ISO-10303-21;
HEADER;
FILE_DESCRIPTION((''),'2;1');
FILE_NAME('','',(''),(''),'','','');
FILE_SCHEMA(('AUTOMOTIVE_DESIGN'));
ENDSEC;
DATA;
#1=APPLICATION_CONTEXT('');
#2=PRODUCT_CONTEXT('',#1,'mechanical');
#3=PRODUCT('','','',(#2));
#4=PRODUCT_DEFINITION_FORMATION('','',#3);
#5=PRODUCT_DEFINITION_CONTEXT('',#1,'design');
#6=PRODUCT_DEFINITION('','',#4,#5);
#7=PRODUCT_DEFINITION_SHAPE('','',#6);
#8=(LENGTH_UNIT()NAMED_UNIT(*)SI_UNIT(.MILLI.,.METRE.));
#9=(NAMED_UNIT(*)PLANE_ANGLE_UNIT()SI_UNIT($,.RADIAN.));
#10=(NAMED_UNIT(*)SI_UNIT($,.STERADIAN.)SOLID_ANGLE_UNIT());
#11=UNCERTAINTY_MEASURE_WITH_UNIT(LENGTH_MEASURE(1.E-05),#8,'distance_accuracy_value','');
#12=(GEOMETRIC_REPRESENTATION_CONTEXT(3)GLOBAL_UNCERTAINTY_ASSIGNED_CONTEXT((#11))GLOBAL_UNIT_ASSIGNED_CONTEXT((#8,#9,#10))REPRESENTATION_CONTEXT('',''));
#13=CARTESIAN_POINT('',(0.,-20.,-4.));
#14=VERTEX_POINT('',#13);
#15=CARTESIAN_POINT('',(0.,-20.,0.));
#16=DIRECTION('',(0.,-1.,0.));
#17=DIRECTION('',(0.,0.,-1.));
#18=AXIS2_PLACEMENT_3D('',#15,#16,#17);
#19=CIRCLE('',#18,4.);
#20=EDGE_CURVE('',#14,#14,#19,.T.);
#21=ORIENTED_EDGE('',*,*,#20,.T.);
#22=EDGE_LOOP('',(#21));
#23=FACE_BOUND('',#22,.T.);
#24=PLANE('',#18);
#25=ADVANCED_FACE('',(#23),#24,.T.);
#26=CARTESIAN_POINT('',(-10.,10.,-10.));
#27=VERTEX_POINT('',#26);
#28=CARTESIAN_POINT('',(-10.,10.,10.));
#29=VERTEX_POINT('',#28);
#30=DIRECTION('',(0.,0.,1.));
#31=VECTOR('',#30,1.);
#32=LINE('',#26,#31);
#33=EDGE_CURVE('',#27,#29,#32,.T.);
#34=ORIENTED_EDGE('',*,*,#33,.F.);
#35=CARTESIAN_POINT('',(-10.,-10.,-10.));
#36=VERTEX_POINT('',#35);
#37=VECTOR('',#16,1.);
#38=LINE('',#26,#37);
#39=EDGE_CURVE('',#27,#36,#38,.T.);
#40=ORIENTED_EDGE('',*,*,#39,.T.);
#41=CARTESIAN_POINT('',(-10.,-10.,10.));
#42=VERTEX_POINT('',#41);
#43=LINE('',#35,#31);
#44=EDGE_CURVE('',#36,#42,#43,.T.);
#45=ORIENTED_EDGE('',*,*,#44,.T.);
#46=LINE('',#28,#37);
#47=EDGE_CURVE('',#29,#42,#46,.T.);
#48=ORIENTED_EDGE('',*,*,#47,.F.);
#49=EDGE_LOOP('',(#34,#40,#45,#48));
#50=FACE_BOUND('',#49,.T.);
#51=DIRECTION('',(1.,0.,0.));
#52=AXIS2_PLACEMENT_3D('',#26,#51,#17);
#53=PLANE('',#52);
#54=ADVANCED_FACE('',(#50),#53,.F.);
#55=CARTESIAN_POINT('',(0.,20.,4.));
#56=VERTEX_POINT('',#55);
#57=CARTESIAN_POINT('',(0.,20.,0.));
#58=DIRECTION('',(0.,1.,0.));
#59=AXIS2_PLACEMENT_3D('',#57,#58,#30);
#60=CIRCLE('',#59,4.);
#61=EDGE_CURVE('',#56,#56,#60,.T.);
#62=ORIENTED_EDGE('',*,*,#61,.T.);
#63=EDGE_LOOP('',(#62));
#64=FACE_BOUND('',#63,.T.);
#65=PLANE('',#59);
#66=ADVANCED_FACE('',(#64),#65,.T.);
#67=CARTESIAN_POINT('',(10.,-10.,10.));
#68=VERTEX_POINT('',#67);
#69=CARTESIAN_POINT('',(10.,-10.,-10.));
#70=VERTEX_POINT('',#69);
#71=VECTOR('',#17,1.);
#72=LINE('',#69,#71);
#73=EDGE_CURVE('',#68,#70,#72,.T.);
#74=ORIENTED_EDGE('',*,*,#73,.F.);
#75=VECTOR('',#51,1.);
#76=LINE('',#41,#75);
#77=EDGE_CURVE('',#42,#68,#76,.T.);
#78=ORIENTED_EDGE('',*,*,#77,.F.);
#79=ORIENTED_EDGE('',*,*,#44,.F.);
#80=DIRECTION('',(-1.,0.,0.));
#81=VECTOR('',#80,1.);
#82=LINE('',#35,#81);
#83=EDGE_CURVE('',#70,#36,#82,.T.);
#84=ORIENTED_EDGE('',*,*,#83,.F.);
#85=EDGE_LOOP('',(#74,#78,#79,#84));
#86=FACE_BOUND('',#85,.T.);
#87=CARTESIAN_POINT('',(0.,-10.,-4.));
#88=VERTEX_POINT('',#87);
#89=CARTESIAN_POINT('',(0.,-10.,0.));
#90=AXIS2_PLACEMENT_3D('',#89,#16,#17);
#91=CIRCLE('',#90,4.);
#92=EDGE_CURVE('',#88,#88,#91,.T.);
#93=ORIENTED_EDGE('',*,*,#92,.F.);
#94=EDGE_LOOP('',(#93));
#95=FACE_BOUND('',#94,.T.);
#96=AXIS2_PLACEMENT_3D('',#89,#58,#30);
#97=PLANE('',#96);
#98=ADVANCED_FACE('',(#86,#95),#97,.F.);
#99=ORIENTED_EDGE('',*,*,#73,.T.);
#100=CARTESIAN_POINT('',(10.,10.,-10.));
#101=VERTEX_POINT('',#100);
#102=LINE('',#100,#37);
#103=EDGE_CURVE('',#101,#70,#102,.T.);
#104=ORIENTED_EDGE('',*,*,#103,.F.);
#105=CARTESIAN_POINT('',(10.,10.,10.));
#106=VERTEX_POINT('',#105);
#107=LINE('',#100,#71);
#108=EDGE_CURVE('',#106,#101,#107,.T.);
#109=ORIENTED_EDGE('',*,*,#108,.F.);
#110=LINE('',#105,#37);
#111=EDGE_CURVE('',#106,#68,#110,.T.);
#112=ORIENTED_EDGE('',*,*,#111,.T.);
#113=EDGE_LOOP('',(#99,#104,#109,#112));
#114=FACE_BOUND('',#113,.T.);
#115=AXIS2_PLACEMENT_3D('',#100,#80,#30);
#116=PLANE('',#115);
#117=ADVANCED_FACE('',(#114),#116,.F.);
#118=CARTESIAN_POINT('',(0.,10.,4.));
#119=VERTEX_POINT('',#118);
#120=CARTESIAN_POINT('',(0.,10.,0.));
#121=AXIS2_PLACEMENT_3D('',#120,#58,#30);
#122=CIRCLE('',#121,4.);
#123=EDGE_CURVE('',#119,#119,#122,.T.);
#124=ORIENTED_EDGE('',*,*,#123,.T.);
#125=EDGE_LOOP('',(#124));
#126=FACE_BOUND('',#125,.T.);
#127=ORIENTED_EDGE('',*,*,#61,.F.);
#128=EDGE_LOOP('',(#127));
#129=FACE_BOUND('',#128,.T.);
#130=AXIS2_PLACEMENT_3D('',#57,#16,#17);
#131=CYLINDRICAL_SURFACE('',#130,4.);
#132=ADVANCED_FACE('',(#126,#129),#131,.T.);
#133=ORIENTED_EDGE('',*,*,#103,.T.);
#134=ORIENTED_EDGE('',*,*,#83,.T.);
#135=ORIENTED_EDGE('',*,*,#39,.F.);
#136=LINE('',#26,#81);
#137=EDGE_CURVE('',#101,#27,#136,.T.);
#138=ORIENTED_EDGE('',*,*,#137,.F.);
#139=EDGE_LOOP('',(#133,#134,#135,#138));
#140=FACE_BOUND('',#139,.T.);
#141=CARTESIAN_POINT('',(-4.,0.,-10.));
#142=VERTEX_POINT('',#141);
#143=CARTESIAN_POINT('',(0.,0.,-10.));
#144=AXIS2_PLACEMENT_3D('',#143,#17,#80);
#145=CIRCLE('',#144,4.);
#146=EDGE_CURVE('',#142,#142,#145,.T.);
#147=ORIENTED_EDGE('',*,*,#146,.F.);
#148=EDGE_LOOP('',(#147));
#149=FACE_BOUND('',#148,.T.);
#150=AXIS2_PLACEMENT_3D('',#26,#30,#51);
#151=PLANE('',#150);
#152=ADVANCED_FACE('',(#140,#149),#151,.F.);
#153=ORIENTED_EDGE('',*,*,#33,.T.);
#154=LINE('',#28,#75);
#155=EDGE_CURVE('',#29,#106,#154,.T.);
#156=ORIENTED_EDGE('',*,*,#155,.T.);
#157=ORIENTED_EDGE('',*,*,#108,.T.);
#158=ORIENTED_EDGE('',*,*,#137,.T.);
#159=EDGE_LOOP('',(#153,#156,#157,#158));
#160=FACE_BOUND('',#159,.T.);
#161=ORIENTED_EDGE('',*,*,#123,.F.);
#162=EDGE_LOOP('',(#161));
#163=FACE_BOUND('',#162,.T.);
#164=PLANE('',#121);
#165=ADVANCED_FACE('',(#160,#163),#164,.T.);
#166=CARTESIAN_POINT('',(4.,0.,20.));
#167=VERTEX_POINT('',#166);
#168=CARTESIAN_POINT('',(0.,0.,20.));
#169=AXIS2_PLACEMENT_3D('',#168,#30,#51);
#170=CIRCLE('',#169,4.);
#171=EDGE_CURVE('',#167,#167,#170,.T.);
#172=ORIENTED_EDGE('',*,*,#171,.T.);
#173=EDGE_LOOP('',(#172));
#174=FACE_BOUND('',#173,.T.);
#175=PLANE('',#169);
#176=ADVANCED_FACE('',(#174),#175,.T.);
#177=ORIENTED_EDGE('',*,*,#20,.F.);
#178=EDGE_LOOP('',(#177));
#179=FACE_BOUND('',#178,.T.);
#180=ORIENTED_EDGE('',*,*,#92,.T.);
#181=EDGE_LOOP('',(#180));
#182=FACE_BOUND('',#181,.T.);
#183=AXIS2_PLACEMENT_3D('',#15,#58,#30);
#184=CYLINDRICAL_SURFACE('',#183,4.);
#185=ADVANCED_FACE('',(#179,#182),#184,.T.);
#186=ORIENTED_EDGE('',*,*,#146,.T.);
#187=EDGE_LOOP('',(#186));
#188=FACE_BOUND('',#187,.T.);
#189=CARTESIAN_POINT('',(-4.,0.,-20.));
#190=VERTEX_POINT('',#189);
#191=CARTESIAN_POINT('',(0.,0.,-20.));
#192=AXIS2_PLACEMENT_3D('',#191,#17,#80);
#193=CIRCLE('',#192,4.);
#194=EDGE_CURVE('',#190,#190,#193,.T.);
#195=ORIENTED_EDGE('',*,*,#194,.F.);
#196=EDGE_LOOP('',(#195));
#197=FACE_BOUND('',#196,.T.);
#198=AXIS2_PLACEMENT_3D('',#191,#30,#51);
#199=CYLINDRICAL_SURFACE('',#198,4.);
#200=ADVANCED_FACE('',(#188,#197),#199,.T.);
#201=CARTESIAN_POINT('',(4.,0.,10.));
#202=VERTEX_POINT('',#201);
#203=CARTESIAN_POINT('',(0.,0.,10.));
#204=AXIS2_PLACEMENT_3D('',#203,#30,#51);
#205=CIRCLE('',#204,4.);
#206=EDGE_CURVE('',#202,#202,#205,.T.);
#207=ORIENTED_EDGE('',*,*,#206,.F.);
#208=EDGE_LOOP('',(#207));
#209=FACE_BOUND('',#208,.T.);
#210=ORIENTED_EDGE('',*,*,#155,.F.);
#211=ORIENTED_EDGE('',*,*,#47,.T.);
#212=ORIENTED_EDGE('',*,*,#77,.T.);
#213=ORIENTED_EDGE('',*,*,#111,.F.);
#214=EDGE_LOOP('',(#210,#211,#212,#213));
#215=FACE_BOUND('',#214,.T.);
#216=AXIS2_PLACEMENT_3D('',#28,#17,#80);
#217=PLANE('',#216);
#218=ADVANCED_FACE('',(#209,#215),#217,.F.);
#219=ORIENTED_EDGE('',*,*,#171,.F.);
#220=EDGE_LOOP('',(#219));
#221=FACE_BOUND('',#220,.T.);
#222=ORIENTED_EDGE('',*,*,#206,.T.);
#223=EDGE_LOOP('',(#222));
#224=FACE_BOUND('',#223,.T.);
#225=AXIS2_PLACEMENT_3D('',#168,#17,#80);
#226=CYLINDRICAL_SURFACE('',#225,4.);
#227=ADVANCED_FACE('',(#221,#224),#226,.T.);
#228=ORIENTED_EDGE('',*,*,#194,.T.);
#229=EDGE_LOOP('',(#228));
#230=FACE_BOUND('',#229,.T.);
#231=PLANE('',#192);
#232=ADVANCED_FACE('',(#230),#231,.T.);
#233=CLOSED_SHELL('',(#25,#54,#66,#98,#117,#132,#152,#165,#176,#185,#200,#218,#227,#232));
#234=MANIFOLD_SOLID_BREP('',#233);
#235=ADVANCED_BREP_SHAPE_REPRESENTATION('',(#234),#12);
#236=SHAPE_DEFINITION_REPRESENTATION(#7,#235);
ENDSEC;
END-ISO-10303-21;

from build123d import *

# Parameters (mm, degrees)
SKETCH2_W           = 20
SKETCH2_H           = 20
BOSS_EXTRUDE1_DEPTH = 10
SKETCH5_R           = 4
BOSS_EXTRUDE2_DEPTH = 10
SKETCH3_R           = 4
BOSS_EXTRUDE3_DEPTH = 10
BOSS_EXTRUDE4_START = 10
SKETCH6_R           = 4
BOSS_EXTRUDE4_DEPTH = 10
BOSS_EXTRUDE5_START = 10
SKETCH4_R           = 4
BOSS_EXTRUDE5_DEPTH = 10


with BuildPart() as part:
    # Sketch2 → Boss-Extrude1 (new, symmetric)
    with BuildSketch(Plane(origin=(0, 0, 0), x_dir=(1, 0, 0), z_dir=(0, 1, 0))):
        Rectangle(SKETCH2_W, SKETCH2_H)
    extrude(amount=BOSS_EXTRUDE1_DEPTH, both=True)

    # Sketch5 → Boss-Extrude2 (add)
    with BuildSketch(Plane(origin=(0, 0, -10), x_dir=(-1, 0, 0), z_dir=(0, 0, -1))):
        Circle(SKETCH5_R)
    extrude(amount=BOSS_EXTRUDE2_DEPTH)

    # Sketch3 → Boss-Extrude3 (add)
    with BuildSketch(Plane(origin=(0, 10, 0), x_dir=(1, 0, 0), z_dir=(0, 1, 0))):
        with Locations(Location((0, 0, 0), (0, 0, 270))):
            Circle(SKETCH3_R)
    extrude(amount=BOSS_EXTRUDE3_DEPTH)

    # Sketch6 → Boss-Extrude4 (add)
    with BuildSketch(Plane.XY.offset(10).offset(BOSS_EXTRUDE4_START)):
        with Locations(Location((0, 0, 0), (0, 0, 180))):
            Circle(SKETCH6_R)
    extrude(amount=-BOSS_EXTRUDE4_DEPTH)

    # Sketch4 → Boss-Extrude5 (add)
    with BuildSketch(Plane.XZ.offset(10).offset(BOSS_EXTRUDE5_START)):
        with Locations(Location((0, 0, 0), (0, 0, 90))):
            Circle(SKETCH4_R)
    extrude(amount=-BOSS_EXTRUDE5_DEPTH)


solid = part.part
